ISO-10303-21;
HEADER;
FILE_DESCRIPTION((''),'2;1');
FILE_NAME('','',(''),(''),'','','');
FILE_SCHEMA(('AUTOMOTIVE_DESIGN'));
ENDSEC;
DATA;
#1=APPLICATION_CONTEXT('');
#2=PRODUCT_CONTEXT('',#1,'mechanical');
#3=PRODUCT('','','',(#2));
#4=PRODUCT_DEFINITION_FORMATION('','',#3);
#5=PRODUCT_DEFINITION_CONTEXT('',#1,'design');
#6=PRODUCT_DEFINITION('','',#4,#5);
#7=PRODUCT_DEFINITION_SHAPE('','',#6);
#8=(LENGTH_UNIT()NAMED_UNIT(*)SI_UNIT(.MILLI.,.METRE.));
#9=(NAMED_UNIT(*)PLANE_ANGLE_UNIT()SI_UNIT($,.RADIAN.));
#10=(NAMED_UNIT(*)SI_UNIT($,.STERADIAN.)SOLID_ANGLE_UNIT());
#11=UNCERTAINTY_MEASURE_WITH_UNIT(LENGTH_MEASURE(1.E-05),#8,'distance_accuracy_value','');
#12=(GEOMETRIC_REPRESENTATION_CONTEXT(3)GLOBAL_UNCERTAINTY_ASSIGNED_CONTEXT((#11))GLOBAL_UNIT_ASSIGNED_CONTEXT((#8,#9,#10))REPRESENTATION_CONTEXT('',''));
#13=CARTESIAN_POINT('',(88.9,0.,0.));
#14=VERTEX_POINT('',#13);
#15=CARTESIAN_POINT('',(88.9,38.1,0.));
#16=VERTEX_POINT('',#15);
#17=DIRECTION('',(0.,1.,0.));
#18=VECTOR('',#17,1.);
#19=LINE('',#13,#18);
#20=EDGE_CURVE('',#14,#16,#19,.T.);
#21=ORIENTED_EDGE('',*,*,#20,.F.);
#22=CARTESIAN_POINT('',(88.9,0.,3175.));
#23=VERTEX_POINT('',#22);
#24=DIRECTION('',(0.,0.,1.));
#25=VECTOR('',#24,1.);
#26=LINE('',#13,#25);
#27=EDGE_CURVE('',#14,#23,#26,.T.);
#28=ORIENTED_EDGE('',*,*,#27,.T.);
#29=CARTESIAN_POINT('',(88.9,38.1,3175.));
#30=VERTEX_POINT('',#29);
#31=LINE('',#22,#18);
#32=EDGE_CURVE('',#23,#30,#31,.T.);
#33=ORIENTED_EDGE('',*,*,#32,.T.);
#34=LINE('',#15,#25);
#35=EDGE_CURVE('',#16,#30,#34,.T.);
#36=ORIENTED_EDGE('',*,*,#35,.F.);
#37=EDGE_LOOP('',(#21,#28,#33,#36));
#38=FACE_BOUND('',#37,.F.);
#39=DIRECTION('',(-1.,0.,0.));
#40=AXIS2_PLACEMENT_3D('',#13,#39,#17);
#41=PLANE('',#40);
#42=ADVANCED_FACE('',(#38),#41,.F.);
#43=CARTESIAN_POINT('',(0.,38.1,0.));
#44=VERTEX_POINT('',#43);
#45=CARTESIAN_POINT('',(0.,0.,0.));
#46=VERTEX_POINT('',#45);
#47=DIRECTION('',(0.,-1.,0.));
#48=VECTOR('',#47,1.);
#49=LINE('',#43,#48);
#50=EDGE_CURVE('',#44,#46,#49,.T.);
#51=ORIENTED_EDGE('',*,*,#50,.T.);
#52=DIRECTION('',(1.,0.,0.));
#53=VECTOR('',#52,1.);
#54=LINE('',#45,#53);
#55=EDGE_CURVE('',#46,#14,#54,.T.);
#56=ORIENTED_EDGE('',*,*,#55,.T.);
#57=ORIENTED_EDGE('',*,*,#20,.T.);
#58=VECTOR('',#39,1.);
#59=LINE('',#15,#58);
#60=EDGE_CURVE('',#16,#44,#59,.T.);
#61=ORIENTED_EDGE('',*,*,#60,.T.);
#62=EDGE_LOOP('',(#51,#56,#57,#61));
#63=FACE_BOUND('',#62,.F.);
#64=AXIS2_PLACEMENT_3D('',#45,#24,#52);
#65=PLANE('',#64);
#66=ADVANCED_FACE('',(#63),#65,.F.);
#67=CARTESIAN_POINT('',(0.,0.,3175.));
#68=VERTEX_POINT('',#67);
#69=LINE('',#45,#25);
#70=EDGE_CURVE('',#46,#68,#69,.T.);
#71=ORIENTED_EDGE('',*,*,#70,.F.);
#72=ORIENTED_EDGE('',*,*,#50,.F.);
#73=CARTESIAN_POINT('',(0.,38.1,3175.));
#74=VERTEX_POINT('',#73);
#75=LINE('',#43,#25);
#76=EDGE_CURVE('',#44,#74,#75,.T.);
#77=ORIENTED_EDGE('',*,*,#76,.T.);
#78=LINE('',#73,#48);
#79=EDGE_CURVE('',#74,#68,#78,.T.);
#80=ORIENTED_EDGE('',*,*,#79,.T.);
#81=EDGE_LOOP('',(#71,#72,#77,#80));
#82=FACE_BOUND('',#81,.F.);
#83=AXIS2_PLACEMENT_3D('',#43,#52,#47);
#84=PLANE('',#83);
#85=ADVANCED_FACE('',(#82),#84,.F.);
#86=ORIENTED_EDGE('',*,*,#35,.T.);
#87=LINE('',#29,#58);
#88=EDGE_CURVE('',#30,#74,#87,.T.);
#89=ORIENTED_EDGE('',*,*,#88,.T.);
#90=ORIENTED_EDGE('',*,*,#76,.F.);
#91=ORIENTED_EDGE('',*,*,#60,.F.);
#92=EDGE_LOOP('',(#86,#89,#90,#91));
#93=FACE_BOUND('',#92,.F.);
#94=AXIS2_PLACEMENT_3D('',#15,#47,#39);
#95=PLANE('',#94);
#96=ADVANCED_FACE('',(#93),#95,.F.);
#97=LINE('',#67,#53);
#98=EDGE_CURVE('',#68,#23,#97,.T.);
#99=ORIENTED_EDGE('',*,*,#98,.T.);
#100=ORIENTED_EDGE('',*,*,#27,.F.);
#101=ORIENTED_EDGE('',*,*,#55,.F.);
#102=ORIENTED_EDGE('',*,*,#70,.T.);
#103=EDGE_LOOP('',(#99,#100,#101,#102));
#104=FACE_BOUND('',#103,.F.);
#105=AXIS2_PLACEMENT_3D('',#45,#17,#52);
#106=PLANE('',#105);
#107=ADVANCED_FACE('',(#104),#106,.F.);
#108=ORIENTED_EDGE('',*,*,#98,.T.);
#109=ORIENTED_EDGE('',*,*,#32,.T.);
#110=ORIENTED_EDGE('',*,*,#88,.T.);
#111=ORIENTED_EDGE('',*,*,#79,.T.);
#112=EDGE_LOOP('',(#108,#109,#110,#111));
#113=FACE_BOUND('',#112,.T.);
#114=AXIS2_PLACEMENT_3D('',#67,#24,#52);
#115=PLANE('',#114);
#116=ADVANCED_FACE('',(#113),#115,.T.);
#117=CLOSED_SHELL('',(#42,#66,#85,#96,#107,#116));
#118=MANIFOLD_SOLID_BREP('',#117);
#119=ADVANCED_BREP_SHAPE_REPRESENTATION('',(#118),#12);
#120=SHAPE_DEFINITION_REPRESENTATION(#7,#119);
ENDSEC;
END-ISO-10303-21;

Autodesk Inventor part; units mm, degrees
ref_plane "YZ Plane" through (0, 0, 0) normal (1, 0, 0) x (0, 1, 0)
ref_plane "XZ Plane" through (0, 0, 0) normal (0, 1, 0) x (-1, 0, 0)
ref_plane "XY Plane" through (0, 0, 0) normal (0, 0, 1) x (1, 0, 0)
sketch "Sketch1" plane through (0, 0, 0) normal (0, 0, 1) x (1, 0, 0)
  line L0 (0, 0) -> (88.9, 0)
  line L1 (88.9, 0) -> (88.9, 38.1)
  line L2 (88.9, 38.1) -> (0, 38.1)
  line L3 (0, 38.1) -> (0, 0)
  dimension "d0" = 88.9
  dimension "d1" = 38.1
extrude "Extrusion1" add sketch "Sketch1" along normal blind 3175
properties part number "Bottom_Plate_With_Length_121_Inches" material "Wood (Birch)"
